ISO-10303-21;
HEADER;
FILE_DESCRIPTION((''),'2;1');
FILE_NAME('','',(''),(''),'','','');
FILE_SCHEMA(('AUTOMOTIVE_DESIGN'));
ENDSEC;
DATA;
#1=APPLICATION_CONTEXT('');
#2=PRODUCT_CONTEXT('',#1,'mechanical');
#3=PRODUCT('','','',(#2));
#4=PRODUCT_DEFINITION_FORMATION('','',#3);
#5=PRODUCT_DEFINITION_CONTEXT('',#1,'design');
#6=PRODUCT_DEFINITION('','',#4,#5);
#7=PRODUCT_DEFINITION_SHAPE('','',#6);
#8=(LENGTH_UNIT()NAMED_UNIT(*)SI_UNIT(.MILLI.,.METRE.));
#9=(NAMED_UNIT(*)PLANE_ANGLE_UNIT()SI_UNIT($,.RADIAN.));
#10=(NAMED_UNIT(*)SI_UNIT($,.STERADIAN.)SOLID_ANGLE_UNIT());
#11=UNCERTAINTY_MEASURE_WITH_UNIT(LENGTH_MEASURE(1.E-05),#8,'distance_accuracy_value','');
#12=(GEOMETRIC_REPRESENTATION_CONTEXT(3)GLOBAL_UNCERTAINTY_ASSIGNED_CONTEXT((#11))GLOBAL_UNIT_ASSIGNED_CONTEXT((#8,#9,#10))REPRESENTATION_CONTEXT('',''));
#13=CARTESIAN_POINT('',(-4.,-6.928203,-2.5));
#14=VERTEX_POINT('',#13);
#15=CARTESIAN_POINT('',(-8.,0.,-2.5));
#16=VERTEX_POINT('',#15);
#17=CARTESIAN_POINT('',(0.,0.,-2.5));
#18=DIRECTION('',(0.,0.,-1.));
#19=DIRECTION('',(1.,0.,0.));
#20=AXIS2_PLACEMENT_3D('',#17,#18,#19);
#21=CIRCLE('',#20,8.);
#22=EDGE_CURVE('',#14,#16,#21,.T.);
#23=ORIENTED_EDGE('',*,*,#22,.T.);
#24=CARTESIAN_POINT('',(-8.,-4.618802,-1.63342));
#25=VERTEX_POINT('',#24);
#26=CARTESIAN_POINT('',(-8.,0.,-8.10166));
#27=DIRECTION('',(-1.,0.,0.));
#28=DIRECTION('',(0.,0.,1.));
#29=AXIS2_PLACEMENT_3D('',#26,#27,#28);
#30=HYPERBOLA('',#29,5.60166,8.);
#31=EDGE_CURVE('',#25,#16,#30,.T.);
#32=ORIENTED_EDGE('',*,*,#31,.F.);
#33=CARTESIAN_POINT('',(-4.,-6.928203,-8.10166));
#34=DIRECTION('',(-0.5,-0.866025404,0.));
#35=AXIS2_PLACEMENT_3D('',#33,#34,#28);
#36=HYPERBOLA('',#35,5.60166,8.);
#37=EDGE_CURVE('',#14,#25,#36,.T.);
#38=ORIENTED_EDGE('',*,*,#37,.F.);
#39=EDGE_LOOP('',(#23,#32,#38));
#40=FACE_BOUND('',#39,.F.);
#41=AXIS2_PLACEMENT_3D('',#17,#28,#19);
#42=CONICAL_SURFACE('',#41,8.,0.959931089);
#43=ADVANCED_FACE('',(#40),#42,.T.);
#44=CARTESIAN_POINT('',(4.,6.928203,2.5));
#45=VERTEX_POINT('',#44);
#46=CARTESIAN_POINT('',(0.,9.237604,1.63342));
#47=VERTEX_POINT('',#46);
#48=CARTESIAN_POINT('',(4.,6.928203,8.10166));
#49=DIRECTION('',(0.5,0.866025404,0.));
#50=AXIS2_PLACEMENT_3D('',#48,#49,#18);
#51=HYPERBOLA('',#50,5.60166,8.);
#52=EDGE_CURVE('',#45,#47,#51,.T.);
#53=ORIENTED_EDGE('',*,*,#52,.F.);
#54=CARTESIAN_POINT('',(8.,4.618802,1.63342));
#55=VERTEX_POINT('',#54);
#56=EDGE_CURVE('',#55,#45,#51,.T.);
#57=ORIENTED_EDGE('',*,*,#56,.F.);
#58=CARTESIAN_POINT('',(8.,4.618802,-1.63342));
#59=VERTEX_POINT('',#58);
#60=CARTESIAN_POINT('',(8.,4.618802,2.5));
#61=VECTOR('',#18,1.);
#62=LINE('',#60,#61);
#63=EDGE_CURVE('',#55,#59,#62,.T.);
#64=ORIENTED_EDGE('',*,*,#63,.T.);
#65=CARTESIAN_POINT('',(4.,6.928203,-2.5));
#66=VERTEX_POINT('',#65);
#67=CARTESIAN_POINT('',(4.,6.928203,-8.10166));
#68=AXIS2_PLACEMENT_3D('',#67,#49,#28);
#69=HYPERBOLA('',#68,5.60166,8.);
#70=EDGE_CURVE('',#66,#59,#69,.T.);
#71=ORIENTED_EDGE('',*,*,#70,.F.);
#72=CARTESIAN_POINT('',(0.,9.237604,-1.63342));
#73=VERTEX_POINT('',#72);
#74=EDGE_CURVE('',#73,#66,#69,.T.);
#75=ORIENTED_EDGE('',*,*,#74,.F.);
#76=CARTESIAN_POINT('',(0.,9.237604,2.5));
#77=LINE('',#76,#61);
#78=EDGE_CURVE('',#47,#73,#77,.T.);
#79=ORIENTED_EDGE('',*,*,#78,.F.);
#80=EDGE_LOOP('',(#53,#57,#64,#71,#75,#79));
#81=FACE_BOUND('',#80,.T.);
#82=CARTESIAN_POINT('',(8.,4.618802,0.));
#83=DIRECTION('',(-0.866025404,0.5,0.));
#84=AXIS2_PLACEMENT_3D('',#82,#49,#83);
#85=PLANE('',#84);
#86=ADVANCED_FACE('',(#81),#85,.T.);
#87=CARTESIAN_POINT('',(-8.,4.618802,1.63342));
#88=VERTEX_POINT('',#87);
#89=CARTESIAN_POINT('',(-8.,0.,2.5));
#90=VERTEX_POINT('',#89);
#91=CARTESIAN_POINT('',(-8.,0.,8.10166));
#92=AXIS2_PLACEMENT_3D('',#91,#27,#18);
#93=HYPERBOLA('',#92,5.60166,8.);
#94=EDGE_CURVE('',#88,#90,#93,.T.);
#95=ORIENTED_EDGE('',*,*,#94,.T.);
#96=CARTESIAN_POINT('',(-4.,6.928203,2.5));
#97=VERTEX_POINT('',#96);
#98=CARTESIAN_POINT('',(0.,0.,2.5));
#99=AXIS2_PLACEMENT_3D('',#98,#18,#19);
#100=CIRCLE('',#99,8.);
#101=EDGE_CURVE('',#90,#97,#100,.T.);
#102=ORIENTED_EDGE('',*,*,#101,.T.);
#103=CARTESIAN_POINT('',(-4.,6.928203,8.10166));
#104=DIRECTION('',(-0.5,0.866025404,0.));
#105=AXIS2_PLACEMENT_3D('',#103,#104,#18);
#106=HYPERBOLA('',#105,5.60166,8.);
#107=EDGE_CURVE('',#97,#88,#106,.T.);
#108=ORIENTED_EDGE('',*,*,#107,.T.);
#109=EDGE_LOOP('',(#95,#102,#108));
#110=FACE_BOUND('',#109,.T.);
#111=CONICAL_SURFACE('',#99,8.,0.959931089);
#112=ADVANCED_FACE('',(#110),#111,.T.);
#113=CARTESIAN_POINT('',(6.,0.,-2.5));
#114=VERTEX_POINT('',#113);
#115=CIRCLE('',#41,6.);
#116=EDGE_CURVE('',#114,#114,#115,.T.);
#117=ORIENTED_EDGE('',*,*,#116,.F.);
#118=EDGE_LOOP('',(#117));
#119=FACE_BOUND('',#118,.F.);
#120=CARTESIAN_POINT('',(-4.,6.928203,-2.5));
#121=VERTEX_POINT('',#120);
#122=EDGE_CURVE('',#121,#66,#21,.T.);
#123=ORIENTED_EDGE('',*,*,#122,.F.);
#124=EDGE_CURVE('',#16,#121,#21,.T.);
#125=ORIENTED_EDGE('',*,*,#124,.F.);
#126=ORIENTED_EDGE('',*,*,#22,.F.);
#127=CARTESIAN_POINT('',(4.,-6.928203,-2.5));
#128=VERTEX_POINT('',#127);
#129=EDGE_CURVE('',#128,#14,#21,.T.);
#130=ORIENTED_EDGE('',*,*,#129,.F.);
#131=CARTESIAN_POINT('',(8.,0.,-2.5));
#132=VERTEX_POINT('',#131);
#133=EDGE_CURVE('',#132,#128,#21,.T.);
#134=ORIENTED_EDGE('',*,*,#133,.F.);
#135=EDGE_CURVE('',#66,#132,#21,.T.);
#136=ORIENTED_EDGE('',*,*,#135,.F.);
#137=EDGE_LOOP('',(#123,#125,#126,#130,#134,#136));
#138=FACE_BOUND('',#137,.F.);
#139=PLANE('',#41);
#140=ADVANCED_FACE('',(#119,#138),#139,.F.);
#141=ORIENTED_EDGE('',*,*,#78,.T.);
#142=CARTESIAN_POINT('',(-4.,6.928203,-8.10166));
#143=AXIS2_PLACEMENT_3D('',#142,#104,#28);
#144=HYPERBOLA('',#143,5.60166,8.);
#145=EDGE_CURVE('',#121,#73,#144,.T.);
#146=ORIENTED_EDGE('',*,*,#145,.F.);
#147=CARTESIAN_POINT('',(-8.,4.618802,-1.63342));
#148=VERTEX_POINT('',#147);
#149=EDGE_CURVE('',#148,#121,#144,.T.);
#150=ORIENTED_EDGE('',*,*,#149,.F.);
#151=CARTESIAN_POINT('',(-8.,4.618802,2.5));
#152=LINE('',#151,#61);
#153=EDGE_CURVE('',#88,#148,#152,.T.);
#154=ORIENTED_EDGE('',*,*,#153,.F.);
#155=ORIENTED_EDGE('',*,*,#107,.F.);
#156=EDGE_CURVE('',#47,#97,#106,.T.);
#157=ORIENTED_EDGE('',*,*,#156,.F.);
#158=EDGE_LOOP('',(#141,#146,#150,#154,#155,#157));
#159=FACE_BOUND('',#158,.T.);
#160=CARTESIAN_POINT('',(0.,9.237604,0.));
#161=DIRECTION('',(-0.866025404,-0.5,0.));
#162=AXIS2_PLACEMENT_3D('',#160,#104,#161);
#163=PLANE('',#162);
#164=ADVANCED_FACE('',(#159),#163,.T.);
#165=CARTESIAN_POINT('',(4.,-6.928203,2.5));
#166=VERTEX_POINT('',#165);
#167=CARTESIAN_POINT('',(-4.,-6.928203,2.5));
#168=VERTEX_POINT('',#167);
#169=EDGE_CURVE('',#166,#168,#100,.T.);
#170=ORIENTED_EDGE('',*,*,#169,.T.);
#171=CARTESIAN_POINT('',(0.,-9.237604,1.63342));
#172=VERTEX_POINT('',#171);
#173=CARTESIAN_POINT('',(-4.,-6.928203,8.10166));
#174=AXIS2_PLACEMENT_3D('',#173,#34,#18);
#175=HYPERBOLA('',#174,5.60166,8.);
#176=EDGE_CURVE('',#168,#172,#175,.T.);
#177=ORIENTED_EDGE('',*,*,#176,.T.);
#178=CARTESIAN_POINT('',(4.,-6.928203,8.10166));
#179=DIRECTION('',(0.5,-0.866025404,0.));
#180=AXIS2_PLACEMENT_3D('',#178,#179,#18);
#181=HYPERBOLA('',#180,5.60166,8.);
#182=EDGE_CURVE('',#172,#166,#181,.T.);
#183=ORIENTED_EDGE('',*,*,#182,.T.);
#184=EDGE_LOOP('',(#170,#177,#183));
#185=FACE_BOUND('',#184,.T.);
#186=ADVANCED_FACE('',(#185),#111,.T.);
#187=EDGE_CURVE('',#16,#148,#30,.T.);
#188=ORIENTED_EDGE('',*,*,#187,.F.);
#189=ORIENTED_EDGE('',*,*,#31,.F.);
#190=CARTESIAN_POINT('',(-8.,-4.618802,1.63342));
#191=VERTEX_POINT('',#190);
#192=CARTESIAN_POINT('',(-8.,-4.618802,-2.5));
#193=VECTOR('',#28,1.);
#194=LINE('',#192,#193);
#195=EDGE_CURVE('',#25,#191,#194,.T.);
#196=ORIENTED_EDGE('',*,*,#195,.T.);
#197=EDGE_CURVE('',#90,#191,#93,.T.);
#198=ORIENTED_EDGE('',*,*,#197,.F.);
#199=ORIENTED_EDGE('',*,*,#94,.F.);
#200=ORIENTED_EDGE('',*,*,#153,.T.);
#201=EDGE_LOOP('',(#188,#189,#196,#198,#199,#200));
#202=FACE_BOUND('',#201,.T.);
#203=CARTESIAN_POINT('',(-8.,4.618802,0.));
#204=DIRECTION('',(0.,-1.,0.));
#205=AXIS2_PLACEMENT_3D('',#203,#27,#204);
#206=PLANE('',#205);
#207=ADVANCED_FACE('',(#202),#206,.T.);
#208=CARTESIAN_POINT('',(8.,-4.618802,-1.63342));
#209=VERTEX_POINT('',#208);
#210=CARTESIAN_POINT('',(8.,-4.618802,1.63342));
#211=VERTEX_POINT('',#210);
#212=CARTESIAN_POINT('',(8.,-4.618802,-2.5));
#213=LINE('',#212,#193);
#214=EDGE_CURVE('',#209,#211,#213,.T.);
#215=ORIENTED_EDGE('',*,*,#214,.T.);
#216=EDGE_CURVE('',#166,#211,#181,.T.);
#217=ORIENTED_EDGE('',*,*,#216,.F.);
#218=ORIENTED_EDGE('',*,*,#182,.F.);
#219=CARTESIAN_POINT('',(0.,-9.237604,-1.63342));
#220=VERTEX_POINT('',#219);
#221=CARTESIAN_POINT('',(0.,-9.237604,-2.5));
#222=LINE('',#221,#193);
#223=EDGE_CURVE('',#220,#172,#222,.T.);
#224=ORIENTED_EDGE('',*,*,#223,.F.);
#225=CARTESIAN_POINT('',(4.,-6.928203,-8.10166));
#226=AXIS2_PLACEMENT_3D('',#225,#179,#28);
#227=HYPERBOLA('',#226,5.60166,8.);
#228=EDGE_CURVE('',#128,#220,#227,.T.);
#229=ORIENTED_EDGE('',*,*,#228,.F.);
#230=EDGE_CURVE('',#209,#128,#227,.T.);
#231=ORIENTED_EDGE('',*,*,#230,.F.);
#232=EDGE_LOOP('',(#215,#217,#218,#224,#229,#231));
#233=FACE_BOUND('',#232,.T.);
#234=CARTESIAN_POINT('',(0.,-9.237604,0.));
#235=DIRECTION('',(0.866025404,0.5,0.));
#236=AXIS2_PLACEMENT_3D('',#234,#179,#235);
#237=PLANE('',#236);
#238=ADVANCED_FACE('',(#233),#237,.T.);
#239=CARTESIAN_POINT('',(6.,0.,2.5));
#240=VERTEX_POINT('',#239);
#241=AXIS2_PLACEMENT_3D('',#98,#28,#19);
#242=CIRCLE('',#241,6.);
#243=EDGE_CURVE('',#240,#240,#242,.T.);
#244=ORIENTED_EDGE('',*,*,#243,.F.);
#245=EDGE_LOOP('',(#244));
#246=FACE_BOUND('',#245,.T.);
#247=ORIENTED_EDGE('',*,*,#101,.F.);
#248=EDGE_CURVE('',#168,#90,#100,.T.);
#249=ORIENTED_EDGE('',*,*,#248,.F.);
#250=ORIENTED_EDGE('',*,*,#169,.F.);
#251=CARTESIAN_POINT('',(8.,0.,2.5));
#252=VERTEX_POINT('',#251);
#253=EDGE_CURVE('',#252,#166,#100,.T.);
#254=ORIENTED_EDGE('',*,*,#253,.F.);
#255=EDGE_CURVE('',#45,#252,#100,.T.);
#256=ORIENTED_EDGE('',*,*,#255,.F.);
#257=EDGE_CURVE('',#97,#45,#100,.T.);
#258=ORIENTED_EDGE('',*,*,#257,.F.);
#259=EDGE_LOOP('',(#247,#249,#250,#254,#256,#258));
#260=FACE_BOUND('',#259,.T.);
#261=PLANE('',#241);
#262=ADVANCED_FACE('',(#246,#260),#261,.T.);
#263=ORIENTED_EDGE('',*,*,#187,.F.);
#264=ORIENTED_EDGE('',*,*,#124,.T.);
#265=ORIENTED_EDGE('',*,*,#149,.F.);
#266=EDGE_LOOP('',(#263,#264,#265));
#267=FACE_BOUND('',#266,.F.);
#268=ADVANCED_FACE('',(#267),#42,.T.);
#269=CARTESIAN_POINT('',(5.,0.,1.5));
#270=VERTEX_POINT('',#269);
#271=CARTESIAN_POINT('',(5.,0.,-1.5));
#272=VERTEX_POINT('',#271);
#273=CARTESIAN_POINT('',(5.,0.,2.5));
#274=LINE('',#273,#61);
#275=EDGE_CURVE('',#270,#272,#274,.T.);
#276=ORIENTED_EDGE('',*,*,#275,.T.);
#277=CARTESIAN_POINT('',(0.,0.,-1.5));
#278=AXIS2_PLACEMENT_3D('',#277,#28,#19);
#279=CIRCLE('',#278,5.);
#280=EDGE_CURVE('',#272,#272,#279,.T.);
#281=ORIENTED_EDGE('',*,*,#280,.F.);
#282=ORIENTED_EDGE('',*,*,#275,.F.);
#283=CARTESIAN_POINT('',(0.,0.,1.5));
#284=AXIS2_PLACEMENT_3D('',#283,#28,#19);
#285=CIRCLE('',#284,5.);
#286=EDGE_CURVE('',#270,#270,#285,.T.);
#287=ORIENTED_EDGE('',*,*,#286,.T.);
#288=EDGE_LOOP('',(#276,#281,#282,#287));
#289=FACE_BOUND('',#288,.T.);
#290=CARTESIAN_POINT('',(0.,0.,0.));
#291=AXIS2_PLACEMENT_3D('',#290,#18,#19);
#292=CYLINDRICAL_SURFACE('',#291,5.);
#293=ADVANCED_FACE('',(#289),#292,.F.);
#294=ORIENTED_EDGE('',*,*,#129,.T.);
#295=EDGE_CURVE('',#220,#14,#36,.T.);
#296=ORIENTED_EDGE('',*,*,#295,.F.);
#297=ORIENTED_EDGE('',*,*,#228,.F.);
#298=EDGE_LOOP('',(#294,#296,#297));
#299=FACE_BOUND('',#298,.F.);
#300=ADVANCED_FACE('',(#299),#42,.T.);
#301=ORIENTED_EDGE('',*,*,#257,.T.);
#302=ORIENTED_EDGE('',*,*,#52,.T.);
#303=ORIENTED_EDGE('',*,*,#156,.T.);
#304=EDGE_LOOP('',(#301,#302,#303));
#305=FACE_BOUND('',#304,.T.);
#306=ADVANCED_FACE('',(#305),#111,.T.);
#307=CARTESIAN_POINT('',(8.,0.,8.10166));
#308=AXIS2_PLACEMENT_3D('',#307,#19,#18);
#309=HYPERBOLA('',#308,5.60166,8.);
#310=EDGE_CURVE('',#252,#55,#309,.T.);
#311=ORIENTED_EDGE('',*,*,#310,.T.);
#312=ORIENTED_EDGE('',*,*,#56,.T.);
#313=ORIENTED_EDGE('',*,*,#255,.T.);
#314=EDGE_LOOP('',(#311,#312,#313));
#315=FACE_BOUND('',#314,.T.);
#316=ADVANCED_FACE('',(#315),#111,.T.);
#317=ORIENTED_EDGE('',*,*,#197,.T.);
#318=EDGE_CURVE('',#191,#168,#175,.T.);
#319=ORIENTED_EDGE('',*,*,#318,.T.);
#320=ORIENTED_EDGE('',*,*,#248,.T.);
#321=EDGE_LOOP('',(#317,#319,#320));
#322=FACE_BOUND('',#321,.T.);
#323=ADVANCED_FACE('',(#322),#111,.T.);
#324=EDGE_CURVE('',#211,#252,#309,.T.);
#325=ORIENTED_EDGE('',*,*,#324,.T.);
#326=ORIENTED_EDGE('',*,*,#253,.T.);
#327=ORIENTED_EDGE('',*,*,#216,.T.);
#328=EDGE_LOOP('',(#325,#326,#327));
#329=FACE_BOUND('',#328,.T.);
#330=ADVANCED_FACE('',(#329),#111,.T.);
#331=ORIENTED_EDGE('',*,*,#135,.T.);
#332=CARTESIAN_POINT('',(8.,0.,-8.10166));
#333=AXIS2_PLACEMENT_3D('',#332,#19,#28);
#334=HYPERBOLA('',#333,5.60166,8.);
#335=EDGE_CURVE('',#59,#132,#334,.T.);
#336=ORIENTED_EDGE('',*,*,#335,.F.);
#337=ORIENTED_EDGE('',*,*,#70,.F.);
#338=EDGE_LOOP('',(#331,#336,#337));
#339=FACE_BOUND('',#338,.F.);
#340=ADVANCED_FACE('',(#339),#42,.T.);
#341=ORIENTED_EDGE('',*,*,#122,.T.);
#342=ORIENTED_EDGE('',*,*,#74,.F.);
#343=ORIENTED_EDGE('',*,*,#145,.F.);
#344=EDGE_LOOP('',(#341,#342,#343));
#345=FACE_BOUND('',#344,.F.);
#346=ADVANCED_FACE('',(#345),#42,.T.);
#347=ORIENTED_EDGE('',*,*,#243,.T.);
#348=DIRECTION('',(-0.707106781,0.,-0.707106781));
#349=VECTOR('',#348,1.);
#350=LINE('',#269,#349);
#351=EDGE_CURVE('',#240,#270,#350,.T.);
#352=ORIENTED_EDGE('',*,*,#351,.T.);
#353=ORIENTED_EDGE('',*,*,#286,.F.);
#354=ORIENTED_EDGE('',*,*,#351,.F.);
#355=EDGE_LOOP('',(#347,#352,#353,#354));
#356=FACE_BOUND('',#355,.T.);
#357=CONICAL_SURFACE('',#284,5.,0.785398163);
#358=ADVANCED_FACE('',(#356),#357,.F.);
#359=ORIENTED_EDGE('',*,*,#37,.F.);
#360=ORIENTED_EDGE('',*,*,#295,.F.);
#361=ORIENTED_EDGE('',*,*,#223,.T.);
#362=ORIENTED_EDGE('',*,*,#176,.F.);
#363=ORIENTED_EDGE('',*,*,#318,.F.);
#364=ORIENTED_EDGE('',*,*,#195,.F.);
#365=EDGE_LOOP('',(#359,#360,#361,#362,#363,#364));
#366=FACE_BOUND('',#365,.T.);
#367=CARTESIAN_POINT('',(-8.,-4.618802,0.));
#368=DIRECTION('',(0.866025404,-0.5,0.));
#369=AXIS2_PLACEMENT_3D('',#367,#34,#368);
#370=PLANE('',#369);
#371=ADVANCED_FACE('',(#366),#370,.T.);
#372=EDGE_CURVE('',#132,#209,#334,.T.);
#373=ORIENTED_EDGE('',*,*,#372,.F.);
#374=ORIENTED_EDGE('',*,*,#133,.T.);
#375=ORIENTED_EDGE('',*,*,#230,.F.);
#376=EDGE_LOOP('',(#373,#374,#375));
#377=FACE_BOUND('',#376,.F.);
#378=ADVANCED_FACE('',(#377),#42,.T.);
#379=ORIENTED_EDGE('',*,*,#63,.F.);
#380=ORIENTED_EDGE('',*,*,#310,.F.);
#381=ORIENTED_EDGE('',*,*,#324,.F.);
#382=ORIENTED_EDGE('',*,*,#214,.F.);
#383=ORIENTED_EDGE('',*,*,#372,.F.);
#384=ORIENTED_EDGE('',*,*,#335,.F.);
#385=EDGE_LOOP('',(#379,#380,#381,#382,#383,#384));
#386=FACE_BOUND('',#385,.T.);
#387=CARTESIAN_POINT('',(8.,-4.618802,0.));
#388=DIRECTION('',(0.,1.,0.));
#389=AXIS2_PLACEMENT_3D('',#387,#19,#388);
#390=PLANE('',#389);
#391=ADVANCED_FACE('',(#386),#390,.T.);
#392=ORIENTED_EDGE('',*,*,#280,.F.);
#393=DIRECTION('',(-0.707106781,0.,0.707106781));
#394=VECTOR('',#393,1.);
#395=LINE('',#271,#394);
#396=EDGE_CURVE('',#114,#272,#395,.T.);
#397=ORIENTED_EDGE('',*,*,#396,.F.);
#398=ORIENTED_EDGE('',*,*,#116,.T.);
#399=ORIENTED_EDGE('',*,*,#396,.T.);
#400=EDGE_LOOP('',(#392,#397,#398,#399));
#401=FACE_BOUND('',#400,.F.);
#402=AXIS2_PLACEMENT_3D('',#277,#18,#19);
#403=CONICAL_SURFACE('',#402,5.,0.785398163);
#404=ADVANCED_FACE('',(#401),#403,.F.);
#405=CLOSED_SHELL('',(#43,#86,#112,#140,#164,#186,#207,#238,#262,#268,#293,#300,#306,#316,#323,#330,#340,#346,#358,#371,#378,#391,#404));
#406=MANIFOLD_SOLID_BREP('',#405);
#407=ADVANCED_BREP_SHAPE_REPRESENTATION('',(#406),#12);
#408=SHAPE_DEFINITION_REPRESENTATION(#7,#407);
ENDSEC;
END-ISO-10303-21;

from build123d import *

# Parameters (mm, degrees)
SKETCH1_R           = 5
BOSS_EXTRUDE1_DEPTH = 2.5
SKETCH2_OUTSIDE_W   = 40.128
SKETCH2_OUTSIDE_H   = 42.604
SKETCH2_OUTSIDE_R   = 8
CUT_EXTRUDE1_DEPTH  = 6
CUT_EXTRUDE1_TAPER  = 55
CHAMFER1_SIZE       = 1


with BuildPart() as part:
    # Sketch1 → Boss-Extrude1 (new body, symmetric)
    with BuildSketch(Plane.XY):
        Polygon((-8, 4.618802154), (-8, -4.618802154), (0, -9.237604307), (8, -4.618802154), (8, 4.618802154), (0, 9.237604307), align=None)
        Circle(SKETCH1_R, mode=Mode.SUBTRACT)
    extrude(amount=BOSS_EXTRUDE1_DEPTH, both=True)

    # Sketch2 outside → Cut-Extrude1 (cut, through all)
    with BuildSketch(Plane.XY.offset(2.5)):
        Rectangle(SKETCH2_OUTSIDE_W, SKETCH2_OUTSIDE_H)
        Circle(SKETCH2_OUTSIDE_R, mode=Mode.SUBTRACT)
    cut_extrude1 = extrude(amount=-CUT_EXTRUDE1_DEPTH, taper=CUT_EXTRUDE1_TAPER, mode=Mode.SUBTRACT)

    # Mirror1: Cut-Extrude1 across plane
    add(cut_extrude1.mirror(Plane.XY), mode=Mode.SUBTRACT)

    # Chamfer1
    chamfer1_edges = [part.edges().sort_by_distance(p)[0] for p in [
        (-5, 0, -2.5),
        (-5, 0, 2.5),
    ]]
    chamfer(chamfer1_edges, length=CHAMFER1_SIZE)


solid = part.part
